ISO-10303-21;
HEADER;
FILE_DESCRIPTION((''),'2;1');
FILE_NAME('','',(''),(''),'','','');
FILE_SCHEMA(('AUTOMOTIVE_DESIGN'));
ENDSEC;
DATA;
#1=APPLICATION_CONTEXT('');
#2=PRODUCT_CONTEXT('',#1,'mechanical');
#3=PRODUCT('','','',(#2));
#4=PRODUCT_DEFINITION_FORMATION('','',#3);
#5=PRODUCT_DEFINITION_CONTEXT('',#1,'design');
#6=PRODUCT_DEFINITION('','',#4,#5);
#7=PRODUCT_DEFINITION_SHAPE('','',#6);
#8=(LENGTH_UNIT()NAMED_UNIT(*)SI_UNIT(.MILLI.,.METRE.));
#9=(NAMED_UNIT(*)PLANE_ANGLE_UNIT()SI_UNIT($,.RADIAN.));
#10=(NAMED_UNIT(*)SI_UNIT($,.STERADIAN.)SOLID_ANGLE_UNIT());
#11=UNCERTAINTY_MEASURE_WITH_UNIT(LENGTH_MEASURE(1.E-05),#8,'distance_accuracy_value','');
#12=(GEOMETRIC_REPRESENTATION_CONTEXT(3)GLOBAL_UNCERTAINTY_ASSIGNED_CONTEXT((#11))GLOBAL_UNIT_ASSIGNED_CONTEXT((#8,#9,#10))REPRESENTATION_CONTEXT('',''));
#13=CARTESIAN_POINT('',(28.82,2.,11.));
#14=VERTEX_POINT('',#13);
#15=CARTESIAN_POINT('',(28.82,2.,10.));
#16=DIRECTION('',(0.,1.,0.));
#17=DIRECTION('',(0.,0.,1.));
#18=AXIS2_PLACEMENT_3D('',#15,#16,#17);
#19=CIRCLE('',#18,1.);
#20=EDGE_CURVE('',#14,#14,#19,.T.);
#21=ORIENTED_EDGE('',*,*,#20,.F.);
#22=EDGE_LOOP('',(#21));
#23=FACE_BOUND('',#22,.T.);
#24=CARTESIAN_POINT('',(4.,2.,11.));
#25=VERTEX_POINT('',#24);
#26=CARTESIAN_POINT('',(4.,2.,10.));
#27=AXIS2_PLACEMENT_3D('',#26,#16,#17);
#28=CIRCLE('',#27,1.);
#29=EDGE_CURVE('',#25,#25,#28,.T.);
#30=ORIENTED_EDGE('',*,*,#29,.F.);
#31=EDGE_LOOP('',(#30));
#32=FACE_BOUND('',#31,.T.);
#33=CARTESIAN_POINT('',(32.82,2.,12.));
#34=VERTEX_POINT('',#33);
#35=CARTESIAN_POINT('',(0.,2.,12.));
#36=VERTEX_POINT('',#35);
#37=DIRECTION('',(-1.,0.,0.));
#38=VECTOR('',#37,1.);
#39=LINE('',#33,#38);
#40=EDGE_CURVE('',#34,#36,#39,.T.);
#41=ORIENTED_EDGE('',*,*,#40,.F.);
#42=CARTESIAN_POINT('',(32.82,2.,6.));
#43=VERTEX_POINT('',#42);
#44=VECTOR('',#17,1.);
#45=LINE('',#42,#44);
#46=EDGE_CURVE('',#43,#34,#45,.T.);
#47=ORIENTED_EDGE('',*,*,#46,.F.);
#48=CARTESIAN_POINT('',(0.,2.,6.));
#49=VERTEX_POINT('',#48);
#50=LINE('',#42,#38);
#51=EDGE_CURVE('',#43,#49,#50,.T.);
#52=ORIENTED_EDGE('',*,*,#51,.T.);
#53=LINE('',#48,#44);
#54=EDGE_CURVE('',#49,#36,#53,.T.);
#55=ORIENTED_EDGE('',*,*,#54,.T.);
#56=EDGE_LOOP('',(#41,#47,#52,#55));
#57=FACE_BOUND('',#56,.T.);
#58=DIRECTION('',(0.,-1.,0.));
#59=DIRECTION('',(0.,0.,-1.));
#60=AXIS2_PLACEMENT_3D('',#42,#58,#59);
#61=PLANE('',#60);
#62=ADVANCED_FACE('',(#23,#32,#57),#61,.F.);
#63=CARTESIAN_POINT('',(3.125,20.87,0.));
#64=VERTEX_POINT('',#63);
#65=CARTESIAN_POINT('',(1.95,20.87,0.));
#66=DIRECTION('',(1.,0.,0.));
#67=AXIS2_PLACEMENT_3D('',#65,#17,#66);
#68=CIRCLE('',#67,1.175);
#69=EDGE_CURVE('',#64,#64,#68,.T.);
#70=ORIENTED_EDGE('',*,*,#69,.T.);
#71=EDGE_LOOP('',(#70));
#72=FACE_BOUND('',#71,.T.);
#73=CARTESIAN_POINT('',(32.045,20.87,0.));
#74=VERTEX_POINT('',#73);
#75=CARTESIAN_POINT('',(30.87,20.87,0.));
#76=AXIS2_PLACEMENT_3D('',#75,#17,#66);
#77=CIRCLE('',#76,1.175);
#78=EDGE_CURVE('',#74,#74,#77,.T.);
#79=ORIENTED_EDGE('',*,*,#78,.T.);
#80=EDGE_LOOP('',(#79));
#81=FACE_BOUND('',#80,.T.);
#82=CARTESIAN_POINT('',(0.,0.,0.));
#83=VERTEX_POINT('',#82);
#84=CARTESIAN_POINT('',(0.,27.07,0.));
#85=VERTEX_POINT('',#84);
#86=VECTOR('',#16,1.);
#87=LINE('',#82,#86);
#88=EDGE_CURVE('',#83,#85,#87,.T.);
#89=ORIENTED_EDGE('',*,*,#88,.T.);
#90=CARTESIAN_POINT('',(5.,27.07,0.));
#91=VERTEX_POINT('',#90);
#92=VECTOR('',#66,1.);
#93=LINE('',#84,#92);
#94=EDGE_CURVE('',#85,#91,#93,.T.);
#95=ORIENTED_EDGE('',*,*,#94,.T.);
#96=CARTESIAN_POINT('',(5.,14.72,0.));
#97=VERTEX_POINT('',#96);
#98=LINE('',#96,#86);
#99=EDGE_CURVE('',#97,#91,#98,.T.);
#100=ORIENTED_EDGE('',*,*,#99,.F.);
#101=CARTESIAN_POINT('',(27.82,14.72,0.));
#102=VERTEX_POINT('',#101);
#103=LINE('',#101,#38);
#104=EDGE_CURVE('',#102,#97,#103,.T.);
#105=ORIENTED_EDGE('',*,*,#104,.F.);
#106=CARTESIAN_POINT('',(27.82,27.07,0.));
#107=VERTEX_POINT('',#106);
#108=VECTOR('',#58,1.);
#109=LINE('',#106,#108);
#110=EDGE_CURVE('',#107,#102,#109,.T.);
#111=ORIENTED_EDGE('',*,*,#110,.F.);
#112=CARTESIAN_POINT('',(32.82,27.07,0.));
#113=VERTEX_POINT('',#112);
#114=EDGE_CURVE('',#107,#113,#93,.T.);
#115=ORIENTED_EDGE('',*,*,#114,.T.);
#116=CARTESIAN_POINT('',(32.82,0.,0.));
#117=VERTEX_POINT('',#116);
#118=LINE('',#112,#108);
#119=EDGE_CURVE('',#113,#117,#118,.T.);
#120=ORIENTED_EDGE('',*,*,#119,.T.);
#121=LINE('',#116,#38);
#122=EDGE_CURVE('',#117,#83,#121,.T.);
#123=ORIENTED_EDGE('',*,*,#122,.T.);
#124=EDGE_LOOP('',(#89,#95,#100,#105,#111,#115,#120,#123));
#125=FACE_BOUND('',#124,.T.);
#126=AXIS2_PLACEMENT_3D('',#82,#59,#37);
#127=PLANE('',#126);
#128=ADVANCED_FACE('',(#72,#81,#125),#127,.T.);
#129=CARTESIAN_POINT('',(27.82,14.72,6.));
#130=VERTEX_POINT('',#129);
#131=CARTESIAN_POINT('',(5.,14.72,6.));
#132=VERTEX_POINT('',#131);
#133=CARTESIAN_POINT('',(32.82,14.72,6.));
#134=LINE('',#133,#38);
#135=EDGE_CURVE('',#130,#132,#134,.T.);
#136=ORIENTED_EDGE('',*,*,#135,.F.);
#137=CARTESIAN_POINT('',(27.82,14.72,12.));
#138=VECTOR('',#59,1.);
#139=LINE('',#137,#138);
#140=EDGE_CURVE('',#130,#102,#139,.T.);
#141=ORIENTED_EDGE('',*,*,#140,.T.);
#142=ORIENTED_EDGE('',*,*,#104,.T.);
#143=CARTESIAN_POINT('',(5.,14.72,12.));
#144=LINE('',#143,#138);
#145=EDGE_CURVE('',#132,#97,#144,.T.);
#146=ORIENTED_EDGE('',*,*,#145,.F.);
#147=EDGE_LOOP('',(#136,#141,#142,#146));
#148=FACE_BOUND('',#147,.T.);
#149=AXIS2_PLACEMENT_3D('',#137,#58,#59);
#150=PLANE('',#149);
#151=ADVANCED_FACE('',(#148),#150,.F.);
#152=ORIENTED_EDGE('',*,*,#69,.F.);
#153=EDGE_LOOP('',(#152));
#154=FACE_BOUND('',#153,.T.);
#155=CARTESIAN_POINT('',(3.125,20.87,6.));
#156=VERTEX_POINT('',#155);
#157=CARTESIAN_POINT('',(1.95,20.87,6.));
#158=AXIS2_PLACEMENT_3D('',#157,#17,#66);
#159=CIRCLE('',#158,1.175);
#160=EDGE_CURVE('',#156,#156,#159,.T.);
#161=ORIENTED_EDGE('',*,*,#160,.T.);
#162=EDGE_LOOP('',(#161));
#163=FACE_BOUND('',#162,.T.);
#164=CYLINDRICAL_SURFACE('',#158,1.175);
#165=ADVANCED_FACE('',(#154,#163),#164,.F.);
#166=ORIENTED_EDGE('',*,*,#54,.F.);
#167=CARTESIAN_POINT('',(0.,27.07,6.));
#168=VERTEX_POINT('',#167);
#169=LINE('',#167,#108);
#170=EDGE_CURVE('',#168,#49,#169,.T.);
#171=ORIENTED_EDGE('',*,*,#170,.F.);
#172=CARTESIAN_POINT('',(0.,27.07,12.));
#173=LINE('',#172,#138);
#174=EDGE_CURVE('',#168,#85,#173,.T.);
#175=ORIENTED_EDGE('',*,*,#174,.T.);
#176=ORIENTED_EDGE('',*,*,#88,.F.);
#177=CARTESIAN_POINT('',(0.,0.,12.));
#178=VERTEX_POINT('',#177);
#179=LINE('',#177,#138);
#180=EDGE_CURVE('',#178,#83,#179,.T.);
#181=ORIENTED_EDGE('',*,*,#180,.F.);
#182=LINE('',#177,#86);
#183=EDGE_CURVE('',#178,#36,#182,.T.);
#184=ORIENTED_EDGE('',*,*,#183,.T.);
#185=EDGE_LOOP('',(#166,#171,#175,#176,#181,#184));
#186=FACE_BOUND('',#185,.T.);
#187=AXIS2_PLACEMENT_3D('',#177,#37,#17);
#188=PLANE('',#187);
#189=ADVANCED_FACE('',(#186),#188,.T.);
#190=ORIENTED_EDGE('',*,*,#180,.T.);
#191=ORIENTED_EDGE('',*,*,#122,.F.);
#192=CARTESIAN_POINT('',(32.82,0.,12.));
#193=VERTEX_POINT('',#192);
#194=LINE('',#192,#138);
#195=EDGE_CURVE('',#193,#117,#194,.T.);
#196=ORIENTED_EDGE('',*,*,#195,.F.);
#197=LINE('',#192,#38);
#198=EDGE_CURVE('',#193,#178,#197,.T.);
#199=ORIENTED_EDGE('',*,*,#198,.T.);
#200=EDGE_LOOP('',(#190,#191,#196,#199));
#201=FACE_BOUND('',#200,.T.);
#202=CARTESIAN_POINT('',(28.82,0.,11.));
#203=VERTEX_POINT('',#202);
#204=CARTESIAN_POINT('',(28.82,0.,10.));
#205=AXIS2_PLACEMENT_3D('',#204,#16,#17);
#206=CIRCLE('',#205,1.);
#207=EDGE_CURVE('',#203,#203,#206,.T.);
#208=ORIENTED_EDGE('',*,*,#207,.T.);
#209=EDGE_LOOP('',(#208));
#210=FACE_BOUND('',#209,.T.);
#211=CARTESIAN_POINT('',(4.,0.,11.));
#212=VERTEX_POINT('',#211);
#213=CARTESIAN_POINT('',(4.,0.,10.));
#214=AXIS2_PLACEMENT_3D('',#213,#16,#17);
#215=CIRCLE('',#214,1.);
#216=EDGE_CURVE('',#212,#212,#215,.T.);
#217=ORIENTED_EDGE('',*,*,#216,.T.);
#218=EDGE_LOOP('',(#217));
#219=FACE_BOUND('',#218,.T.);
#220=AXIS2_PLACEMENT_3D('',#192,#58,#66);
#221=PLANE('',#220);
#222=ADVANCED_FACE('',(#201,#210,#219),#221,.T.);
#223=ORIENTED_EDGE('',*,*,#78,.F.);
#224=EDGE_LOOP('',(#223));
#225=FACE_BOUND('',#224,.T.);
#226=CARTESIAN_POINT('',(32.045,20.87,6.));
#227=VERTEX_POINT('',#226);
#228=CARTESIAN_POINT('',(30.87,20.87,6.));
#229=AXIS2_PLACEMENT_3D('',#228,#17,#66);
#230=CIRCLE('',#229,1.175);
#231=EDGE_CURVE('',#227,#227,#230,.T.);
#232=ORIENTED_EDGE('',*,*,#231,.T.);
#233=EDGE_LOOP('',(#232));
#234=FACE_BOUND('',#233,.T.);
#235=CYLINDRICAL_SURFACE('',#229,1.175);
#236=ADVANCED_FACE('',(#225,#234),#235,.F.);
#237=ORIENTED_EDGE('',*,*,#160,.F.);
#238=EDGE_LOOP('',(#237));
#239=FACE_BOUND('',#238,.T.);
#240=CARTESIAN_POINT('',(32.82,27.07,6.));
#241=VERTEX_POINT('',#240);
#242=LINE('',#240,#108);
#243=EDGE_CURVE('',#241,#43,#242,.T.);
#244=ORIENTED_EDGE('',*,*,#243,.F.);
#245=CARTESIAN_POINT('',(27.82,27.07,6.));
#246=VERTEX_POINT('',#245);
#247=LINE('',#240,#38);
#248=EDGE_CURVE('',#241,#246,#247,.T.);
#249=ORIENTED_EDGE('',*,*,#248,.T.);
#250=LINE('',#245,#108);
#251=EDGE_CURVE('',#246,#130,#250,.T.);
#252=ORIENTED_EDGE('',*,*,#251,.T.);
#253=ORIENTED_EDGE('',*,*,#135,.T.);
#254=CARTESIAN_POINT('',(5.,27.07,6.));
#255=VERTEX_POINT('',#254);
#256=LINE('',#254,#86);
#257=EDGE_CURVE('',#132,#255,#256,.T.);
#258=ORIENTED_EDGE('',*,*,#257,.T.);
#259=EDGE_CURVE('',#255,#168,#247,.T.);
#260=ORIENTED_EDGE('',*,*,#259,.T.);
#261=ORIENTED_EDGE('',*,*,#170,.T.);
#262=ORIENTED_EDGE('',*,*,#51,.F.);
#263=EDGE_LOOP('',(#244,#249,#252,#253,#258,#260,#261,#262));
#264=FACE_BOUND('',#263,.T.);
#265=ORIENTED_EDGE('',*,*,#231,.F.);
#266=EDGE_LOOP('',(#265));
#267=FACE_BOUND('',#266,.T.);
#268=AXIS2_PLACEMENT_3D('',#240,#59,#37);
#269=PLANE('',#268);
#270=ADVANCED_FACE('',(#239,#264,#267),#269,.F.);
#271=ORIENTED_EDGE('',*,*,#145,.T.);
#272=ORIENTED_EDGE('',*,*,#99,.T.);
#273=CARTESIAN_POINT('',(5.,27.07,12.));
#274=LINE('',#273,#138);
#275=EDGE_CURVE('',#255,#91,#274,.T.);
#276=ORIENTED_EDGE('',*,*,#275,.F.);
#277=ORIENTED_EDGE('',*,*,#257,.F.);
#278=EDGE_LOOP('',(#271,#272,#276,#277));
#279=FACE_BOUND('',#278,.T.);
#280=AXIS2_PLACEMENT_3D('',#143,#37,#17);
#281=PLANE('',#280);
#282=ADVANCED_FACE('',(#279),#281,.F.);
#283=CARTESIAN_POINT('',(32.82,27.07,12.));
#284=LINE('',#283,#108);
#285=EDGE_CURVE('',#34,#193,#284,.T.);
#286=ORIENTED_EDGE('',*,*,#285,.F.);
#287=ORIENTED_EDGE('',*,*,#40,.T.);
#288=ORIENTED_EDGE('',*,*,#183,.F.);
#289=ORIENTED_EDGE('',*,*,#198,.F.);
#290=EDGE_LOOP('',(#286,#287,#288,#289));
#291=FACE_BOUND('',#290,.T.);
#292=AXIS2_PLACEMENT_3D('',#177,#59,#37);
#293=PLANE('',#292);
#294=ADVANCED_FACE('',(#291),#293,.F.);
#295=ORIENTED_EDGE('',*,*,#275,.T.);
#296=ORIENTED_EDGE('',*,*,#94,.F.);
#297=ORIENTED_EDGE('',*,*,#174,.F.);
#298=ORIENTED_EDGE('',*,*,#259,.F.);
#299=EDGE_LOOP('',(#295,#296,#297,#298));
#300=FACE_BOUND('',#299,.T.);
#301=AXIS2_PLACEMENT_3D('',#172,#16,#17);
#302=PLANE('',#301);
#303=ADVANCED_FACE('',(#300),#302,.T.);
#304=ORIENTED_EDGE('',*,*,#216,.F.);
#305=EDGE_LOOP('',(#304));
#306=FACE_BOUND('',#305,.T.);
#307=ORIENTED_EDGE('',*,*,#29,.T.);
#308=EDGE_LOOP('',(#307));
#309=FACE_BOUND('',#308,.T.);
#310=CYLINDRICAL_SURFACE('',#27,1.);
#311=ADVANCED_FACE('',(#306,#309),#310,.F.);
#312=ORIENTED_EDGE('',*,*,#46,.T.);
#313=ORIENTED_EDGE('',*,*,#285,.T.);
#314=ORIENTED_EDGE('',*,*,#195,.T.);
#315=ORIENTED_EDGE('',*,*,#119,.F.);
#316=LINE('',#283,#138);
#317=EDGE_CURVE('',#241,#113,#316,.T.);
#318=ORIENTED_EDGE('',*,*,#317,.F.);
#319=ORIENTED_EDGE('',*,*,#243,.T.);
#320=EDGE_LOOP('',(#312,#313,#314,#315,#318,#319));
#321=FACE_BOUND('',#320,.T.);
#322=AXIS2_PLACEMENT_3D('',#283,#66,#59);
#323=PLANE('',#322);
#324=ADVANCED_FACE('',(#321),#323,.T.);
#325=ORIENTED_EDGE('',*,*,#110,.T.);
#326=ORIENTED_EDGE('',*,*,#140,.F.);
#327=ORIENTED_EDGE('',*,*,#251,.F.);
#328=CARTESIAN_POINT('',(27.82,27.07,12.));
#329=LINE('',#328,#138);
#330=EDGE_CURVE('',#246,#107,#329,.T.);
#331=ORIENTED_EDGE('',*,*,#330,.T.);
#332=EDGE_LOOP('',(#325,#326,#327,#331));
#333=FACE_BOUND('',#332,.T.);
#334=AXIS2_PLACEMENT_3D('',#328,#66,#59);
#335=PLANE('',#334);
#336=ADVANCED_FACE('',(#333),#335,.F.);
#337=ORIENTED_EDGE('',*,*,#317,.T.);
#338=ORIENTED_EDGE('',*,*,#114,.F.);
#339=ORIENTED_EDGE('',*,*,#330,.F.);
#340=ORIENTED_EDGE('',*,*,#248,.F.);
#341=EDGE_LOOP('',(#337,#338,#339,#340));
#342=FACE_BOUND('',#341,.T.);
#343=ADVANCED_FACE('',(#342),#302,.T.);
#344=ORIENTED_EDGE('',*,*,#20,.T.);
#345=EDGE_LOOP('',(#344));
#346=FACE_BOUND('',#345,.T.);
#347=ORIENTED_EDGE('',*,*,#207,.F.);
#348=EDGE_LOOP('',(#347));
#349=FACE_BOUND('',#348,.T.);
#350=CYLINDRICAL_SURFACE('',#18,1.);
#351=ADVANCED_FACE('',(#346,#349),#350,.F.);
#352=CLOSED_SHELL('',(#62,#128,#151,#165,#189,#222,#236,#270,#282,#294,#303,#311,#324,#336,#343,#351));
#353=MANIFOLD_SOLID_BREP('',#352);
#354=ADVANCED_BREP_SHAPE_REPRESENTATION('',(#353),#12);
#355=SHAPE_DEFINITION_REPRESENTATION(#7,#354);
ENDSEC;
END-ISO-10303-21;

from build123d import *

# Parameters (mm, degrees)
SKETCH1_W                    = 32.82
SKETCH1_H                    = 27.07
BOSS_EXTRUDE1_DEPTH          = 12
SKETCH2_W                    = 6
SKETCH2_H                    = 25.07
CUT_EXTRUDE1_DEPTH           = 45.203362994
SKETCH3_W                    = 22.82
SKETCH3_H                    = 12.35
CUT_EXTRUDE2_DEPTH           = 45.203362994
F_2_35_2_35_DIAMETER_HOLE1_D = 2.35
F_2_0_2_DIAMETER_HOLE1_D     = 2


with BuildPart() as part:
    # Sketch1 → Boss-Extrude1 (new body)
    with BuildSketch(Plane(origin=(0, 0, 0), x_dir=(-1, 0, 0), z_dir=(0, 0, -1))):
        with Locations((-16.41, 13.535)):
            Rectangle(SKETCH1_W, SKETCH1_H)
    extrude(amount=-BOSS_EXTRUDE1_DEPTH)

    # Sketch2 → Cut-Extrude1 (cut, through all)
    with BuildSketch(Plane.ZY):
        with Locations((9, 14.535)):
            Rectangle(SKETCH2_W, SKETCH2_H)
    extrude(amount=-CUT_EXTRUDE1_DEPTH, mode=Mode.SUBTRACT)

    # Sketch3 → Cut-Extrude2 (cut, through all)
    with BuildSketch(Plane(origin=(0, 0, 0), x_dir=(-1, 0, 0), z_dir=(0, 0, -1))):
        with Locations((-16.41, 20.895)):
            Rectangle(SKETCH3_W, SKETCH3_H)
    extrude(amount=-CUT_EXTRUDE2_DEPTH, mode=Mode.SUBTRACT)

    # Ø2.35 (2.35) Diameter Hole1 (through all)
    with Locations(Plane.XY.offset(6)):
        with Locations((1.95, 20.87), (30.87, 20.87)):
            Hole(F_2_35_2_35_DIAMETER_HOLE1_D / 2)

    # Ø2.0 (2) Diameter Hole1 (through all)
    with Locations(Plane(origin=(0, 2, 0), x_dir=(1, 0, 0), z_dir=(0, 1, 0))):
        with Locations((28.82, -10), (4, -10)):
            Hole(F_2_0_2_DIAMETER_HOLE1_D / 2)


solid = part.part
